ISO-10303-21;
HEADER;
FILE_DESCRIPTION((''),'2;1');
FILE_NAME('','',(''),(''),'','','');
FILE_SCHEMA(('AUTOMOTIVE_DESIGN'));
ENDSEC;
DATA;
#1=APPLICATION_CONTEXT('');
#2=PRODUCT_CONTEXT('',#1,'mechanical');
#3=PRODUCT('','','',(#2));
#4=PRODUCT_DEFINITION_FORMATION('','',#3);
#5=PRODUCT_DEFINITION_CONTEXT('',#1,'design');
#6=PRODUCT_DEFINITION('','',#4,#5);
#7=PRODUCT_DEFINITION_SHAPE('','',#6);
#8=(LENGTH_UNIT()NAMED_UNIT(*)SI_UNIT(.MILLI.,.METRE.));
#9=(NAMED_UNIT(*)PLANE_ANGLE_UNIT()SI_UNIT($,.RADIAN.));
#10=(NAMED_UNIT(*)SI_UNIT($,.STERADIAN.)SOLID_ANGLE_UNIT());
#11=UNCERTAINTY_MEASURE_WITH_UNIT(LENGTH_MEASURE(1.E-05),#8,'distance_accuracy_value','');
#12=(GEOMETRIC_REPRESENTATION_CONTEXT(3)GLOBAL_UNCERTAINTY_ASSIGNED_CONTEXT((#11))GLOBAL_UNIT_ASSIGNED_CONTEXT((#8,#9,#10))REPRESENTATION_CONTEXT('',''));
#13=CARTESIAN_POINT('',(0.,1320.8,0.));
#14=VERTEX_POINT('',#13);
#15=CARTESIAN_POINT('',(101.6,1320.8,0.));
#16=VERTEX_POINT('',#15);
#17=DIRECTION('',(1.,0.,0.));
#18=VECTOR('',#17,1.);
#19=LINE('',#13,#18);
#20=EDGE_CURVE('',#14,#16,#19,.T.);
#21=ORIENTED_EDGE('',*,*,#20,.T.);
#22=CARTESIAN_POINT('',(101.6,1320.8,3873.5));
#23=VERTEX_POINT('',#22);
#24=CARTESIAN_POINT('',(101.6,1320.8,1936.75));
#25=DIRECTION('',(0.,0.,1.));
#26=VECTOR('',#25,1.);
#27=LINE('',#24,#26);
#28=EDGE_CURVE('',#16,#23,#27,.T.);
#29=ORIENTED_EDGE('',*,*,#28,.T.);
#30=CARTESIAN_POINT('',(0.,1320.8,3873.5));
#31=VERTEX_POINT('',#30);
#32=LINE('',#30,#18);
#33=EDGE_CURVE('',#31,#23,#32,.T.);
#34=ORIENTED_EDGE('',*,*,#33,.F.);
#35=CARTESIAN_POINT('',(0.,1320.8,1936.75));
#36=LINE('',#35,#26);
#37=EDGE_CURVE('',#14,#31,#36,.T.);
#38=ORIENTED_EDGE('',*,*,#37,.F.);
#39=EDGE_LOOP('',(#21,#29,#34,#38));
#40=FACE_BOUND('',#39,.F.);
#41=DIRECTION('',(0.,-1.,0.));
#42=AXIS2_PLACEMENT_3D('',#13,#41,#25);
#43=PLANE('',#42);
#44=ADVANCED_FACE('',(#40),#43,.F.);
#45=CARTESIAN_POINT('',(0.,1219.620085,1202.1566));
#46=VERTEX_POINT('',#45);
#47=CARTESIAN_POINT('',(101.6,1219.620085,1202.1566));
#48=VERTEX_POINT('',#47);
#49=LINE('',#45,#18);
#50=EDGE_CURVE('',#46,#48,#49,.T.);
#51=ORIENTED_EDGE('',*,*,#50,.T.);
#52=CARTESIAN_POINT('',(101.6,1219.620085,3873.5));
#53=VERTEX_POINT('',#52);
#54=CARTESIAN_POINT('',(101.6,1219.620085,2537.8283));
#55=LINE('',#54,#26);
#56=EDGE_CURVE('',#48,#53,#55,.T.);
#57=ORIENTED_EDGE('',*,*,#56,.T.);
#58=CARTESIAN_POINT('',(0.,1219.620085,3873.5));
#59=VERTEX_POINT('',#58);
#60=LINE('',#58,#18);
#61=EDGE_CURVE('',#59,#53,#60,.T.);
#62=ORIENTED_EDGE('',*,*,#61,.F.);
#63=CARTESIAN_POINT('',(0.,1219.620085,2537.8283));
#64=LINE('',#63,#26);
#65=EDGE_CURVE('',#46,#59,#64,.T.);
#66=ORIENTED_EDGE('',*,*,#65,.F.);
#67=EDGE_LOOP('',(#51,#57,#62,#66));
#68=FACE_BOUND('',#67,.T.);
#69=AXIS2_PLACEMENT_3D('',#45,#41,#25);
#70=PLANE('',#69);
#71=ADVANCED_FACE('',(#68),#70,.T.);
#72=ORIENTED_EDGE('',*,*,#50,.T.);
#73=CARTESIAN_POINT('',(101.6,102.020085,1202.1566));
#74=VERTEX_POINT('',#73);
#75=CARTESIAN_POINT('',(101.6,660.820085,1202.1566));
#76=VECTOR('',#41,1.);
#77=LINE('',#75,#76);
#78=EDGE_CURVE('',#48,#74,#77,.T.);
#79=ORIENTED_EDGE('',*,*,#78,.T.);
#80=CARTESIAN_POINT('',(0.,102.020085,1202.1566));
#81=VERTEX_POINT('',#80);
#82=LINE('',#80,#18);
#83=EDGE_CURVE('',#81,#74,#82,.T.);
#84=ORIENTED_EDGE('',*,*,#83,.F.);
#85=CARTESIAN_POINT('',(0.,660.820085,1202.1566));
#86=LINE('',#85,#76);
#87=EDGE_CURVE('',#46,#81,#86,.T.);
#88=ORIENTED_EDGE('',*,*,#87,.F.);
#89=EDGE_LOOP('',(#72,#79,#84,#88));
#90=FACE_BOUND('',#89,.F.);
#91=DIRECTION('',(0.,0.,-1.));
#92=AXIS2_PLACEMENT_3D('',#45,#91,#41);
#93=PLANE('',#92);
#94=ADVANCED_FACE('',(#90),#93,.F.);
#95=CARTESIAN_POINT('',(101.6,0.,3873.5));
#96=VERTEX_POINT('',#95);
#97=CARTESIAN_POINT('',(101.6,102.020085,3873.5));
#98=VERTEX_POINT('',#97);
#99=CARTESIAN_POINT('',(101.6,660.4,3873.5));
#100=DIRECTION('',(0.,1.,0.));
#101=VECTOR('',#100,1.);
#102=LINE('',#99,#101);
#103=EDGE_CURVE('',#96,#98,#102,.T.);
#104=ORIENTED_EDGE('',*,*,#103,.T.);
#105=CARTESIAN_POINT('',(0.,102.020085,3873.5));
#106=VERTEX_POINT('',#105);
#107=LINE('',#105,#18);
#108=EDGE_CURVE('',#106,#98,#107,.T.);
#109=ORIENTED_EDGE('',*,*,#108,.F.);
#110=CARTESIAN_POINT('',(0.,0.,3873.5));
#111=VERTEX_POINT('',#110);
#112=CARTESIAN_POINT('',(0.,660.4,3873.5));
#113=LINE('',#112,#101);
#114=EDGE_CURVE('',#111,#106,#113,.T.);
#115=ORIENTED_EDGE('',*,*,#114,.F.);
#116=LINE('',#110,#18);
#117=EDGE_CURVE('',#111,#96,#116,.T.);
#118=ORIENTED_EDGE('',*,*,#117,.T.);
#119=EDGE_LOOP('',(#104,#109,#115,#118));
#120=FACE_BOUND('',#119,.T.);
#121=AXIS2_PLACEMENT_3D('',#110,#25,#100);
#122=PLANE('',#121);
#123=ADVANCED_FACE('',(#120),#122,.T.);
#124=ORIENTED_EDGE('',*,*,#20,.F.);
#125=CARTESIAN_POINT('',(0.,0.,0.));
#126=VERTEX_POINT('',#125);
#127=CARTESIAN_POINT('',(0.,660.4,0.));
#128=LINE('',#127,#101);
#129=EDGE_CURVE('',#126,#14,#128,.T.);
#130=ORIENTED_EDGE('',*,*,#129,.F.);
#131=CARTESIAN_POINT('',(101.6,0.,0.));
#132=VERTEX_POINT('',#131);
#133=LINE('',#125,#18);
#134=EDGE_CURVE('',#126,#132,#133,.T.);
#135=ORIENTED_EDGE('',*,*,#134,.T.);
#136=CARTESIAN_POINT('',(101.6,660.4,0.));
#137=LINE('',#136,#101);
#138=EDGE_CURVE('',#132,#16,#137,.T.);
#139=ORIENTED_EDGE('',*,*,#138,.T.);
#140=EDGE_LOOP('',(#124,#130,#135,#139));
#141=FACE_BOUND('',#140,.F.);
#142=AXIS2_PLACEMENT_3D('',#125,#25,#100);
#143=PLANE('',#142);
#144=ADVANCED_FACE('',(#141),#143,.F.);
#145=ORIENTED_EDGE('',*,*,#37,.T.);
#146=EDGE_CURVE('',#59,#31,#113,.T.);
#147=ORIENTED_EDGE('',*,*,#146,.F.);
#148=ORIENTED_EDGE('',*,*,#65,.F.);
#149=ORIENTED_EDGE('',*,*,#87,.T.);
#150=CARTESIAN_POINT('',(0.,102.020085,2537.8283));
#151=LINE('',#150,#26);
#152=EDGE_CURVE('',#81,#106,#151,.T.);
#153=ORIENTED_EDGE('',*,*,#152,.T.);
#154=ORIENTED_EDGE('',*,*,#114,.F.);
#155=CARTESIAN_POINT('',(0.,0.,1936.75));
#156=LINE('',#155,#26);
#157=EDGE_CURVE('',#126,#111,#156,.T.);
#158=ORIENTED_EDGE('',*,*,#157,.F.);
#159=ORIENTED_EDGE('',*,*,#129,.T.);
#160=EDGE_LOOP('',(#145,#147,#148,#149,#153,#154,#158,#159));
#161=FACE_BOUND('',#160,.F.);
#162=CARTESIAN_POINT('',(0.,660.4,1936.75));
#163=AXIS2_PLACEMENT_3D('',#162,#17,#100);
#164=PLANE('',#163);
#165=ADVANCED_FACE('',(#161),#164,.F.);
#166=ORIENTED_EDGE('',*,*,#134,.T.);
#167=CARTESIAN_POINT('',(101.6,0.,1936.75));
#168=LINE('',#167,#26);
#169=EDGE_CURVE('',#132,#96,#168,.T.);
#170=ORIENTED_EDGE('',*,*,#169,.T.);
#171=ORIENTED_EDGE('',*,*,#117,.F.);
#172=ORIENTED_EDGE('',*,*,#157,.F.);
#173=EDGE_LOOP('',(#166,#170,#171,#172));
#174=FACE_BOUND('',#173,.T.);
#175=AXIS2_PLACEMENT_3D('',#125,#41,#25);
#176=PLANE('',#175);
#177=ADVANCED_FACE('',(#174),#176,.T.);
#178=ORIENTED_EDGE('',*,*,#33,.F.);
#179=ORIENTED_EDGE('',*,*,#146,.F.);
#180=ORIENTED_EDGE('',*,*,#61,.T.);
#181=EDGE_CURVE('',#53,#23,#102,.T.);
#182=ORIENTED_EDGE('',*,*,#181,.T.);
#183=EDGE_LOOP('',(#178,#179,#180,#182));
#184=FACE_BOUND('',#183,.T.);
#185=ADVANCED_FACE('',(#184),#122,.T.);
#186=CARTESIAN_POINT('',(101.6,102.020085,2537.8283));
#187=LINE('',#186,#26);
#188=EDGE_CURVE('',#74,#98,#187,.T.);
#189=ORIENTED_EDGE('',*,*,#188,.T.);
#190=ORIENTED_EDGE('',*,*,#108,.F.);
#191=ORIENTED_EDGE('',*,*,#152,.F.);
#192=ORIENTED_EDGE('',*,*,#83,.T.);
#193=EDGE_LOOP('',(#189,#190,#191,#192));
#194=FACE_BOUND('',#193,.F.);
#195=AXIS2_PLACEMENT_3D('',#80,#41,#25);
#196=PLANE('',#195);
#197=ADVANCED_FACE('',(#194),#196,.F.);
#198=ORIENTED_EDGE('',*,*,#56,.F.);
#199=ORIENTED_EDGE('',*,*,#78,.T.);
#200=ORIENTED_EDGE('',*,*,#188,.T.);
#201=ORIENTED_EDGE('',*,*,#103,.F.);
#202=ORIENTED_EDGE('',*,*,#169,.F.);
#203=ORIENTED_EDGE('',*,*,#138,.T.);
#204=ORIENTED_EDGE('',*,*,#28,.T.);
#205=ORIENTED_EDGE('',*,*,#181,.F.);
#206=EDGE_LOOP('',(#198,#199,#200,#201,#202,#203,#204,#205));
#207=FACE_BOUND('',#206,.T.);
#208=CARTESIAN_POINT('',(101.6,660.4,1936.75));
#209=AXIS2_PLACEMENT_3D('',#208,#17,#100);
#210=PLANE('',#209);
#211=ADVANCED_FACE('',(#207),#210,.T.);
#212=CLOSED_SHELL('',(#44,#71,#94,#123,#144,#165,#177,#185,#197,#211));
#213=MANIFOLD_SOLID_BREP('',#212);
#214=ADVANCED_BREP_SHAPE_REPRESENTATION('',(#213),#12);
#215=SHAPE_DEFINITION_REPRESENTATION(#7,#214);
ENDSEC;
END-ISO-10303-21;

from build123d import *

# Parameters (mm, degrees)
F0_W     = 1320.8
F0_H     = 3873.5
F1_DEPTH = 101.6
F2_W     = 1117.6
F2_H     = 2671.3434
F3_DEPTH = 101.6


with BuildPart() as f1:
    # F0 (on Right) → F1 (new body)
    with BuildSketch(Plane.YZ):
        with Locations((660.4, 1936.75)):
            Rectangle(F0_W, F0_H)
    extrude(amount=F1_DEPTH)

    # F2 (on face) → F3 (cut)
    with BuildSketch(Plane(origin=(0, 0, 0), x_dir=(0, -1, 0), z_dir=(-1, 0, 0))):
        with Locations((-660.820085, 2537.8283)):
            Rectangle(F2_W, F2_H)
    extrude(amount=-F3_DEPTH, mode=Mode.SUBTRACT)


solid = f1.part
